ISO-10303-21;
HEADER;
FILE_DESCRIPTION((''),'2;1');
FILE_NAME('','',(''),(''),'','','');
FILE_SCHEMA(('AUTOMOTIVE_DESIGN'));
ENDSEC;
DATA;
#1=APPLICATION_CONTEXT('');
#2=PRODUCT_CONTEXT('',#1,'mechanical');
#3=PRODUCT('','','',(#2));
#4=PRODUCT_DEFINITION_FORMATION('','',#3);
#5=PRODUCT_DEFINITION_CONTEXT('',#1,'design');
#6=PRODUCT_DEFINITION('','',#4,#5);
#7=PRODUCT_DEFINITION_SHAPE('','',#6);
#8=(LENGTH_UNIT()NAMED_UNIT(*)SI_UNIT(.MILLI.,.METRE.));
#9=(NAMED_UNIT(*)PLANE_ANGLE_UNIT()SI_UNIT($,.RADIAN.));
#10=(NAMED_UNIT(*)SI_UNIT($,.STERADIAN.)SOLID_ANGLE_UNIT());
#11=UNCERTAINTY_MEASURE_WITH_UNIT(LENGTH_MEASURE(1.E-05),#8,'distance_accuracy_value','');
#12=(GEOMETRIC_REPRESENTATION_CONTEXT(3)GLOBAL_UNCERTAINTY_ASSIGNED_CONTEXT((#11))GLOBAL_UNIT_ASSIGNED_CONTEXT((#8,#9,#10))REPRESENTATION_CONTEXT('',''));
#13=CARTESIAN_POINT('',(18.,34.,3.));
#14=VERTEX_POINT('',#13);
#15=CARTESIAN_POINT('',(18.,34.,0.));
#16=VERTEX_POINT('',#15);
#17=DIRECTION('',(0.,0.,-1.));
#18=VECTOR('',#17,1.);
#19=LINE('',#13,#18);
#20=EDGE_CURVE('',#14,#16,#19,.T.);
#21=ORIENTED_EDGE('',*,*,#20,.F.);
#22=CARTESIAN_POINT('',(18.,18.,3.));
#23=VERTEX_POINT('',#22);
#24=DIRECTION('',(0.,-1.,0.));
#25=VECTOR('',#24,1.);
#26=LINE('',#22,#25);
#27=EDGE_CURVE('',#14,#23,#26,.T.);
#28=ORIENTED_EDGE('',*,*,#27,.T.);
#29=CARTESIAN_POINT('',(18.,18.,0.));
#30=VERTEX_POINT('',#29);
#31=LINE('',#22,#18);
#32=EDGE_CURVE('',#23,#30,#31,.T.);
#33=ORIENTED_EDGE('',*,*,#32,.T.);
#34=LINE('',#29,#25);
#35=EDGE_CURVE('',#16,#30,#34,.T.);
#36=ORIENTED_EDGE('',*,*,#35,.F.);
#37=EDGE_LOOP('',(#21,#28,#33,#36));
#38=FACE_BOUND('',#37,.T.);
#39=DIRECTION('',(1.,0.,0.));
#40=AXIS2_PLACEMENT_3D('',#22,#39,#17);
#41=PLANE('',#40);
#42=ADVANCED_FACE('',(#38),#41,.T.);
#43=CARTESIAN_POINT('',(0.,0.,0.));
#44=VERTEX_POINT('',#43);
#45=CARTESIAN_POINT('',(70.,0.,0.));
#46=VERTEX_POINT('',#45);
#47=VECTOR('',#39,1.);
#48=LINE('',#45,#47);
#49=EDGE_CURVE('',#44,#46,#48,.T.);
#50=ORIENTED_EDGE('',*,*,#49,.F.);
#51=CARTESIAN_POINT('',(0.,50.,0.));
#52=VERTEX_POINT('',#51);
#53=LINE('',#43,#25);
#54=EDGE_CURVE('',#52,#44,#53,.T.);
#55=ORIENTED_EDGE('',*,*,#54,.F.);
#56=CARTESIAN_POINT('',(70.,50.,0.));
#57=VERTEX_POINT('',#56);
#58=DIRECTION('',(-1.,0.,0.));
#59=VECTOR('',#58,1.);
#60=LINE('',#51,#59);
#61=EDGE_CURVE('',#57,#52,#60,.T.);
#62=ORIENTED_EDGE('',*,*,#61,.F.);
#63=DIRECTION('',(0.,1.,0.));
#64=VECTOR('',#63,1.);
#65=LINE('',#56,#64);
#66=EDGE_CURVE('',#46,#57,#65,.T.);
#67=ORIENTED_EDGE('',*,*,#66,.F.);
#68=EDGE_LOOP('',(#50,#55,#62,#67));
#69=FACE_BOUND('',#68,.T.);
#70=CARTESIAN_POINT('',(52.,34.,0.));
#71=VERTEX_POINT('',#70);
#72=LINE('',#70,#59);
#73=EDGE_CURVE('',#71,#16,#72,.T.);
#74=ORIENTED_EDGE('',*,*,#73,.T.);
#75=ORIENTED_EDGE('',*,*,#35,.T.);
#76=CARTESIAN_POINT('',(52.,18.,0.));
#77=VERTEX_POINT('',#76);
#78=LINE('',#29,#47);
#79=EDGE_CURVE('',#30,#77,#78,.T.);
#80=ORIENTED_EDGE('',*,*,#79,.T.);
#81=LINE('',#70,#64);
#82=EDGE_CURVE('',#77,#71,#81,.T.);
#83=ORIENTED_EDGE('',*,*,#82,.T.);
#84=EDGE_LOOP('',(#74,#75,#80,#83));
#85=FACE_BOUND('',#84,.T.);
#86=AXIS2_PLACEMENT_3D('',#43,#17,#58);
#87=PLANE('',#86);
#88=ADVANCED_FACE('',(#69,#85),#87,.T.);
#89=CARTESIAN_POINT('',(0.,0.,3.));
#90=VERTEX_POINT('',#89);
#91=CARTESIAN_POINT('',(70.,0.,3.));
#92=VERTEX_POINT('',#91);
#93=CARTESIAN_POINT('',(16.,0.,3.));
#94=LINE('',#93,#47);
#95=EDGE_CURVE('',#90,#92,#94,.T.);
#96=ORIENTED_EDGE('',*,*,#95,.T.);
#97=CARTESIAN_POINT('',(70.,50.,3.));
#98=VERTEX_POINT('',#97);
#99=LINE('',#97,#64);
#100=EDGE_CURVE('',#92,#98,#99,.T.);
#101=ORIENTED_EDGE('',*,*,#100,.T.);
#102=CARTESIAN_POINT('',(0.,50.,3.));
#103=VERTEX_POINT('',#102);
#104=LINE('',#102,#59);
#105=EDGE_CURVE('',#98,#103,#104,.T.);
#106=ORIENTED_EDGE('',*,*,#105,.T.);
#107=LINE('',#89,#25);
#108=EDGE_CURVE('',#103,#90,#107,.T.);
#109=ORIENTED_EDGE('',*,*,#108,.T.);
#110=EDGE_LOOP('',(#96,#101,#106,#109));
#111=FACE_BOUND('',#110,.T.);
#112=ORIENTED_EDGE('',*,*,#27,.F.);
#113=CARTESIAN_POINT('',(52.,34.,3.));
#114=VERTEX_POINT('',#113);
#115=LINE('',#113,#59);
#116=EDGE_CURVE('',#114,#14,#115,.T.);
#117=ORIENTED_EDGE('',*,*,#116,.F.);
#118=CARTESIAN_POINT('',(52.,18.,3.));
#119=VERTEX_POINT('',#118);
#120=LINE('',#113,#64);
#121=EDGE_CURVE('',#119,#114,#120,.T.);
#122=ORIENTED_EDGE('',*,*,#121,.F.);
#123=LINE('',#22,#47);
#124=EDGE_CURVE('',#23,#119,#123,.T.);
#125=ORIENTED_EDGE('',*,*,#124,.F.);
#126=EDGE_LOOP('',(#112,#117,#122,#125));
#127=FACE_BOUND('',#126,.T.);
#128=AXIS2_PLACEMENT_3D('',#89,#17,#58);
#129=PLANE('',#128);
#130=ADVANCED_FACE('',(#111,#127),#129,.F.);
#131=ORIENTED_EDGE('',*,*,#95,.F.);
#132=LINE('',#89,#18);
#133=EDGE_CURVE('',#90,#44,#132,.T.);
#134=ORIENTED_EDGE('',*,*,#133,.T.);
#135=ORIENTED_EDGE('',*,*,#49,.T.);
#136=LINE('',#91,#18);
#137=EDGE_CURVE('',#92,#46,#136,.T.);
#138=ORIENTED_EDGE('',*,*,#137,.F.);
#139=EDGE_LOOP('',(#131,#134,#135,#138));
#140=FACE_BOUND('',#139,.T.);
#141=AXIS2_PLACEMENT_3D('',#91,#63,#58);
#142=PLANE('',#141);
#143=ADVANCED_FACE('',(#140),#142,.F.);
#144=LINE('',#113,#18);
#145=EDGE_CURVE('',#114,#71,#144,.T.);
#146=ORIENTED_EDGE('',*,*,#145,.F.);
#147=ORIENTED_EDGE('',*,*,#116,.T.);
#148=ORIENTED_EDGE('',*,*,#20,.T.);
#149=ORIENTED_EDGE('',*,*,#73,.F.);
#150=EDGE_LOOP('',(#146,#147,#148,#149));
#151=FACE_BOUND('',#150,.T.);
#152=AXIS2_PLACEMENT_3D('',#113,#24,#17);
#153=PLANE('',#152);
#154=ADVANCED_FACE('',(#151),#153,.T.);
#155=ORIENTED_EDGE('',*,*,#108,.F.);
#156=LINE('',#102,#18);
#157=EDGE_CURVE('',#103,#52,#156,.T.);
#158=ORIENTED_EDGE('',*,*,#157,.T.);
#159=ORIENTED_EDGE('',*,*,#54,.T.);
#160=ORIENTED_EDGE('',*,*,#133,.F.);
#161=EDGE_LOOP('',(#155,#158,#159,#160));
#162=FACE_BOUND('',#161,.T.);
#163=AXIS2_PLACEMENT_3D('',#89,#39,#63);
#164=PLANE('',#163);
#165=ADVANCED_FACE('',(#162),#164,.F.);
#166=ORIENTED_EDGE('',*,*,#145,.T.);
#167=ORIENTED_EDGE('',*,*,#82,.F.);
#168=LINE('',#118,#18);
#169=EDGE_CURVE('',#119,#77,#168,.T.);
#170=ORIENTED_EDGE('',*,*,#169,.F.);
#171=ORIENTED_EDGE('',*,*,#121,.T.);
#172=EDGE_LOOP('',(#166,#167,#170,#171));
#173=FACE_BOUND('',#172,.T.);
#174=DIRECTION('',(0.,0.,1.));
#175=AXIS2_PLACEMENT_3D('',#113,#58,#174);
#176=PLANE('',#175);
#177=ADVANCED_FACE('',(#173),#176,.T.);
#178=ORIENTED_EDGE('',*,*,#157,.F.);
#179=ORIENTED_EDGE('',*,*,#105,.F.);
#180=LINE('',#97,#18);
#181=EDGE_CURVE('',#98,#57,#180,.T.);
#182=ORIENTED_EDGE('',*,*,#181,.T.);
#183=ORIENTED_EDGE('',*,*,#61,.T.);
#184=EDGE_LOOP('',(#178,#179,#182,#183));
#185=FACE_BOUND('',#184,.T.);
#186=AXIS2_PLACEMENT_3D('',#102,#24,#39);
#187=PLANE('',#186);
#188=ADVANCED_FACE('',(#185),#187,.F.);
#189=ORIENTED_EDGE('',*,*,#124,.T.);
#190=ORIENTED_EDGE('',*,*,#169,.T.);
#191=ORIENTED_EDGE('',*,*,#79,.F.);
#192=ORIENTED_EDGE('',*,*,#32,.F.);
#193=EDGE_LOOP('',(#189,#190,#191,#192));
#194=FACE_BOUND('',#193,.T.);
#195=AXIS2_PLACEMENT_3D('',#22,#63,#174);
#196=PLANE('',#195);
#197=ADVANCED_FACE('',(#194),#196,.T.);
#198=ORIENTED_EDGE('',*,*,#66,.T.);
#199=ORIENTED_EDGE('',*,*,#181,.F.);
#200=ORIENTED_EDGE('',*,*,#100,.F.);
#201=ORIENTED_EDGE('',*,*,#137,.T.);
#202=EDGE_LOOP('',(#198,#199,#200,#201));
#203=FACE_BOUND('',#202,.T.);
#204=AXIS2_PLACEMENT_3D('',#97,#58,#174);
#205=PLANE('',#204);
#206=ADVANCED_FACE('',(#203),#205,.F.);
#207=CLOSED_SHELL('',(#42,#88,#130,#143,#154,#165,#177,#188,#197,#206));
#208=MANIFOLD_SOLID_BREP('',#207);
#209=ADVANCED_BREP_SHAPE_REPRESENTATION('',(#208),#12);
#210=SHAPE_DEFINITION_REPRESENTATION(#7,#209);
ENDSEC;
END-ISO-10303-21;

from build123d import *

# Parameters (mm, degrees)
SKETCH_1_W      = 34
SKETCH_1_H      = 16
EXTRUDE_2_DEPTH = 3


with BuildPart() as part:
    # 草图1 → 凸台-拉伸2 (new body)
    with BuildSketch(Plane.XY):
        Polygon((0, 0), (0, 50), (70, 50), (70, 0), (54, 0), (16, 0), align=None)
        with Locations((35, 26)):
            Rectangle(SKETCH_1_W, SKETCH_1_H, mode=Mode.SUBTRACT)
    extrude(amount=EXTRUDE_2_DEPTH)


solid = part.part
